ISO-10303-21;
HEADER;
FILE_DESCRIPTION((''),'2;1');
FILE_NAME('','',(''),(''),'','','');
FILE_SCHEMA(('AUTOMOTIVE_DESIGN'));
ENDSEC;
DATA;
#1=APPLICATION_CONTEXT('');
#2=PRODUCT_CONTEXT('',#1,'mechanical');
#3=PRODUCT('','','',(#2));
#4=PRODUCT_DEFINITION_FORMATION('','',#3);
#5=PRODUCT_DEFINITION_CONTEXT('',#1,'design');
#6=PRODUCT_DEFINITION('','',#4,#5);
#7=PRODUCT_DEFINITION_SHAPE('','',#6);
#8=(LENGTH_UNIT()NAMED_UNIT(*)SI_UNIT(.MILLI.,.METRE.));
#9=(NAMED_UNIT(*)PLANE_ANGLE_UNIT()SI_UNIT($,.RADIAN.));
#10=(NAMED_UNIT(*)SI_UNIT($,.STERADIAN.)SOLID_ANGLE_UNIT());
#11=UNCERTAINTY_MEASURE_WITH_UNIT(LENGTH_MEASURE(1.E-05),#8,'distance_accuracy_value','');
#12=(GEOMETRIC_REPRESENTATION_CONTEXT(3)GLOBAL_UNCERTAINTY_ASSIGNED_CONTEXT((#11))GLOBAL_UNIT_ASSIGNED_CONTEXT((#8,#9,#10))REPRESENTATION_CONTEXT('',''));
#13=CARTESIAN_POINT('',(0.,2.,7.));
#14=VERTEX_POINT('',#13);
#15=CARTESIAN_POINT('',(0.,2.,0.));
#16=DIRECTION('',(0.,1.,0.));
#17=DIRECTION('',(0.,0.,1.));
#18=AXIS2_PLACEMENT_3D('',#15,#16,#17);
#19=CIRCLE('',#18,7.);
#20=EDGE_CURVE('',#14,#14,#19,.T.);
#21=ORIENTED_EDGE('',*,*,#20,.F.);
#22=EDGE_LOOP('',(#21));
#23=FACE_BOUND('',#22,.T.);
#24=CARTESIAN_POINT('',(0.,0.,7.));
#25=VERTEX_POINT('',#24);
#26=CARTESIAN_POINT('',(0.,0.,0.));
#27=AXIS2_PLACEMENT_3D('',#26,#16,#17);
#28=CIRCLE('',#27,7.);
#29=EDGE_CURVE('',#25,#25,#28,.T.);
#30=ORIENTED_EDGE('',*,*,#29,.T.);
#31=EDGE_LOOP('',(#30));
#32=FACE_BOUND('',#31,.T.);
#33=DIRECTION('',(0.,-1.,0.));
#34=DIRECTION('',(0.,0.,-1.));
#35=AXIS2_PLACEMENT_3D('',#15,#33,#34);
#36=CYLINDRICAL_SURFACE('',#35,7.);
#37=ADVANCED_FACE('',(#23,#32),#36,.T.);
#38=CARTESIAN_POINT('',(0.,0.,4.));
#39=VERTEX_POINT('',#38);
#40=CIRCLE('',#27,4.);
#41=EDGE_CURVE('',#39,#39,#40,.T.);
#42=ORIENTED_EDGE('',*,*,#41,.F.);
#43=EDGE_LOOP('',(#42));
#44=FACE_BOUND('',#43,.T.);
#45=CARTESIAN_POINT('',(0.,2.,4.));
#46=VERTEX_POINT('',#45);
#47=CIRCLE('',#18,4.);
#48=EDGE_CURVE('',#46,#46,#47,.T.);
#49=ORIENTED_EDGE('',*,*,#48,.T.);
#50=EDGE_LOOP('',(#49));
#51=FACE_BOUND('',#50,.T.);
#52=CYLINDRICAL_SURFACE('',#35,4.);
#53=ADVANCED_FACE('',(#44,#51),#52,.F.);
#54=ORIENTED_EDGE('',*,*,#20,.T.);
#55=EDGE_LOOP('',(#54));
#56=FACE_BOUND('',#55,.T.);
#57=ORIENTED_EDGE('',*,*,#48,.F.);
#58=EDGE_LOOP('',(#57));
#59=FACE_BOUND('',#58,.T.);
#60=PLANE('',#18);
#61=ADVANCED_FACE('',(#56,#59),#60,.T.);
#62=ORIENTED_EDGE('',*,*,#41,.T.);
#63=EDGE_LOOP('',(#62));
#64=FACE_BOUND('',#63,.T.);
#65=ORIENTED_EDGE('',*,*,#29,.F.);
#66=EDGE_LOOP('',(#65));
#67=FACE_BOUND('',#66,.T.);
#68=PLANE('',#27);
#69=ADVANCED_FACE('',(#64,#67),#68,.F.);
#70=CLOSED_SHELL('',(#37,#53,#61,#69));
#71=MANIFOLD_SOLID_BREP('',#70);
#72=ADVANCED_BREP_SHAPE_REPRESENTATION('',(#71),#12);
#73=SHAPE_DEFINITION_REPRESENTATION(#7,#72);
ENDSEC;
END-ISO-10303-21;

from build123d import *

# Parameters (mm, degrees)
SKETCH_1_R      = 7
SKETCH_1_R_2    = 4
EXTRUDE_1_DEPTH = 2


with BuildPart() as part:
    # Эскиз1 → Бобышка-Вытянуть1 (new body)
    with BuildSketch(Plane(origin=(0, 0, 0), x_dir=(1, 0, 0), z_dir=(0, 1, 0))):
        Circle(SKETCH_1_R)
        Circle(SKETCH_1_R_2, mode=Mode.SUBTRACT)
    extrude(amount=EXTRUDE_1_DEPTH)


solid = part.part
